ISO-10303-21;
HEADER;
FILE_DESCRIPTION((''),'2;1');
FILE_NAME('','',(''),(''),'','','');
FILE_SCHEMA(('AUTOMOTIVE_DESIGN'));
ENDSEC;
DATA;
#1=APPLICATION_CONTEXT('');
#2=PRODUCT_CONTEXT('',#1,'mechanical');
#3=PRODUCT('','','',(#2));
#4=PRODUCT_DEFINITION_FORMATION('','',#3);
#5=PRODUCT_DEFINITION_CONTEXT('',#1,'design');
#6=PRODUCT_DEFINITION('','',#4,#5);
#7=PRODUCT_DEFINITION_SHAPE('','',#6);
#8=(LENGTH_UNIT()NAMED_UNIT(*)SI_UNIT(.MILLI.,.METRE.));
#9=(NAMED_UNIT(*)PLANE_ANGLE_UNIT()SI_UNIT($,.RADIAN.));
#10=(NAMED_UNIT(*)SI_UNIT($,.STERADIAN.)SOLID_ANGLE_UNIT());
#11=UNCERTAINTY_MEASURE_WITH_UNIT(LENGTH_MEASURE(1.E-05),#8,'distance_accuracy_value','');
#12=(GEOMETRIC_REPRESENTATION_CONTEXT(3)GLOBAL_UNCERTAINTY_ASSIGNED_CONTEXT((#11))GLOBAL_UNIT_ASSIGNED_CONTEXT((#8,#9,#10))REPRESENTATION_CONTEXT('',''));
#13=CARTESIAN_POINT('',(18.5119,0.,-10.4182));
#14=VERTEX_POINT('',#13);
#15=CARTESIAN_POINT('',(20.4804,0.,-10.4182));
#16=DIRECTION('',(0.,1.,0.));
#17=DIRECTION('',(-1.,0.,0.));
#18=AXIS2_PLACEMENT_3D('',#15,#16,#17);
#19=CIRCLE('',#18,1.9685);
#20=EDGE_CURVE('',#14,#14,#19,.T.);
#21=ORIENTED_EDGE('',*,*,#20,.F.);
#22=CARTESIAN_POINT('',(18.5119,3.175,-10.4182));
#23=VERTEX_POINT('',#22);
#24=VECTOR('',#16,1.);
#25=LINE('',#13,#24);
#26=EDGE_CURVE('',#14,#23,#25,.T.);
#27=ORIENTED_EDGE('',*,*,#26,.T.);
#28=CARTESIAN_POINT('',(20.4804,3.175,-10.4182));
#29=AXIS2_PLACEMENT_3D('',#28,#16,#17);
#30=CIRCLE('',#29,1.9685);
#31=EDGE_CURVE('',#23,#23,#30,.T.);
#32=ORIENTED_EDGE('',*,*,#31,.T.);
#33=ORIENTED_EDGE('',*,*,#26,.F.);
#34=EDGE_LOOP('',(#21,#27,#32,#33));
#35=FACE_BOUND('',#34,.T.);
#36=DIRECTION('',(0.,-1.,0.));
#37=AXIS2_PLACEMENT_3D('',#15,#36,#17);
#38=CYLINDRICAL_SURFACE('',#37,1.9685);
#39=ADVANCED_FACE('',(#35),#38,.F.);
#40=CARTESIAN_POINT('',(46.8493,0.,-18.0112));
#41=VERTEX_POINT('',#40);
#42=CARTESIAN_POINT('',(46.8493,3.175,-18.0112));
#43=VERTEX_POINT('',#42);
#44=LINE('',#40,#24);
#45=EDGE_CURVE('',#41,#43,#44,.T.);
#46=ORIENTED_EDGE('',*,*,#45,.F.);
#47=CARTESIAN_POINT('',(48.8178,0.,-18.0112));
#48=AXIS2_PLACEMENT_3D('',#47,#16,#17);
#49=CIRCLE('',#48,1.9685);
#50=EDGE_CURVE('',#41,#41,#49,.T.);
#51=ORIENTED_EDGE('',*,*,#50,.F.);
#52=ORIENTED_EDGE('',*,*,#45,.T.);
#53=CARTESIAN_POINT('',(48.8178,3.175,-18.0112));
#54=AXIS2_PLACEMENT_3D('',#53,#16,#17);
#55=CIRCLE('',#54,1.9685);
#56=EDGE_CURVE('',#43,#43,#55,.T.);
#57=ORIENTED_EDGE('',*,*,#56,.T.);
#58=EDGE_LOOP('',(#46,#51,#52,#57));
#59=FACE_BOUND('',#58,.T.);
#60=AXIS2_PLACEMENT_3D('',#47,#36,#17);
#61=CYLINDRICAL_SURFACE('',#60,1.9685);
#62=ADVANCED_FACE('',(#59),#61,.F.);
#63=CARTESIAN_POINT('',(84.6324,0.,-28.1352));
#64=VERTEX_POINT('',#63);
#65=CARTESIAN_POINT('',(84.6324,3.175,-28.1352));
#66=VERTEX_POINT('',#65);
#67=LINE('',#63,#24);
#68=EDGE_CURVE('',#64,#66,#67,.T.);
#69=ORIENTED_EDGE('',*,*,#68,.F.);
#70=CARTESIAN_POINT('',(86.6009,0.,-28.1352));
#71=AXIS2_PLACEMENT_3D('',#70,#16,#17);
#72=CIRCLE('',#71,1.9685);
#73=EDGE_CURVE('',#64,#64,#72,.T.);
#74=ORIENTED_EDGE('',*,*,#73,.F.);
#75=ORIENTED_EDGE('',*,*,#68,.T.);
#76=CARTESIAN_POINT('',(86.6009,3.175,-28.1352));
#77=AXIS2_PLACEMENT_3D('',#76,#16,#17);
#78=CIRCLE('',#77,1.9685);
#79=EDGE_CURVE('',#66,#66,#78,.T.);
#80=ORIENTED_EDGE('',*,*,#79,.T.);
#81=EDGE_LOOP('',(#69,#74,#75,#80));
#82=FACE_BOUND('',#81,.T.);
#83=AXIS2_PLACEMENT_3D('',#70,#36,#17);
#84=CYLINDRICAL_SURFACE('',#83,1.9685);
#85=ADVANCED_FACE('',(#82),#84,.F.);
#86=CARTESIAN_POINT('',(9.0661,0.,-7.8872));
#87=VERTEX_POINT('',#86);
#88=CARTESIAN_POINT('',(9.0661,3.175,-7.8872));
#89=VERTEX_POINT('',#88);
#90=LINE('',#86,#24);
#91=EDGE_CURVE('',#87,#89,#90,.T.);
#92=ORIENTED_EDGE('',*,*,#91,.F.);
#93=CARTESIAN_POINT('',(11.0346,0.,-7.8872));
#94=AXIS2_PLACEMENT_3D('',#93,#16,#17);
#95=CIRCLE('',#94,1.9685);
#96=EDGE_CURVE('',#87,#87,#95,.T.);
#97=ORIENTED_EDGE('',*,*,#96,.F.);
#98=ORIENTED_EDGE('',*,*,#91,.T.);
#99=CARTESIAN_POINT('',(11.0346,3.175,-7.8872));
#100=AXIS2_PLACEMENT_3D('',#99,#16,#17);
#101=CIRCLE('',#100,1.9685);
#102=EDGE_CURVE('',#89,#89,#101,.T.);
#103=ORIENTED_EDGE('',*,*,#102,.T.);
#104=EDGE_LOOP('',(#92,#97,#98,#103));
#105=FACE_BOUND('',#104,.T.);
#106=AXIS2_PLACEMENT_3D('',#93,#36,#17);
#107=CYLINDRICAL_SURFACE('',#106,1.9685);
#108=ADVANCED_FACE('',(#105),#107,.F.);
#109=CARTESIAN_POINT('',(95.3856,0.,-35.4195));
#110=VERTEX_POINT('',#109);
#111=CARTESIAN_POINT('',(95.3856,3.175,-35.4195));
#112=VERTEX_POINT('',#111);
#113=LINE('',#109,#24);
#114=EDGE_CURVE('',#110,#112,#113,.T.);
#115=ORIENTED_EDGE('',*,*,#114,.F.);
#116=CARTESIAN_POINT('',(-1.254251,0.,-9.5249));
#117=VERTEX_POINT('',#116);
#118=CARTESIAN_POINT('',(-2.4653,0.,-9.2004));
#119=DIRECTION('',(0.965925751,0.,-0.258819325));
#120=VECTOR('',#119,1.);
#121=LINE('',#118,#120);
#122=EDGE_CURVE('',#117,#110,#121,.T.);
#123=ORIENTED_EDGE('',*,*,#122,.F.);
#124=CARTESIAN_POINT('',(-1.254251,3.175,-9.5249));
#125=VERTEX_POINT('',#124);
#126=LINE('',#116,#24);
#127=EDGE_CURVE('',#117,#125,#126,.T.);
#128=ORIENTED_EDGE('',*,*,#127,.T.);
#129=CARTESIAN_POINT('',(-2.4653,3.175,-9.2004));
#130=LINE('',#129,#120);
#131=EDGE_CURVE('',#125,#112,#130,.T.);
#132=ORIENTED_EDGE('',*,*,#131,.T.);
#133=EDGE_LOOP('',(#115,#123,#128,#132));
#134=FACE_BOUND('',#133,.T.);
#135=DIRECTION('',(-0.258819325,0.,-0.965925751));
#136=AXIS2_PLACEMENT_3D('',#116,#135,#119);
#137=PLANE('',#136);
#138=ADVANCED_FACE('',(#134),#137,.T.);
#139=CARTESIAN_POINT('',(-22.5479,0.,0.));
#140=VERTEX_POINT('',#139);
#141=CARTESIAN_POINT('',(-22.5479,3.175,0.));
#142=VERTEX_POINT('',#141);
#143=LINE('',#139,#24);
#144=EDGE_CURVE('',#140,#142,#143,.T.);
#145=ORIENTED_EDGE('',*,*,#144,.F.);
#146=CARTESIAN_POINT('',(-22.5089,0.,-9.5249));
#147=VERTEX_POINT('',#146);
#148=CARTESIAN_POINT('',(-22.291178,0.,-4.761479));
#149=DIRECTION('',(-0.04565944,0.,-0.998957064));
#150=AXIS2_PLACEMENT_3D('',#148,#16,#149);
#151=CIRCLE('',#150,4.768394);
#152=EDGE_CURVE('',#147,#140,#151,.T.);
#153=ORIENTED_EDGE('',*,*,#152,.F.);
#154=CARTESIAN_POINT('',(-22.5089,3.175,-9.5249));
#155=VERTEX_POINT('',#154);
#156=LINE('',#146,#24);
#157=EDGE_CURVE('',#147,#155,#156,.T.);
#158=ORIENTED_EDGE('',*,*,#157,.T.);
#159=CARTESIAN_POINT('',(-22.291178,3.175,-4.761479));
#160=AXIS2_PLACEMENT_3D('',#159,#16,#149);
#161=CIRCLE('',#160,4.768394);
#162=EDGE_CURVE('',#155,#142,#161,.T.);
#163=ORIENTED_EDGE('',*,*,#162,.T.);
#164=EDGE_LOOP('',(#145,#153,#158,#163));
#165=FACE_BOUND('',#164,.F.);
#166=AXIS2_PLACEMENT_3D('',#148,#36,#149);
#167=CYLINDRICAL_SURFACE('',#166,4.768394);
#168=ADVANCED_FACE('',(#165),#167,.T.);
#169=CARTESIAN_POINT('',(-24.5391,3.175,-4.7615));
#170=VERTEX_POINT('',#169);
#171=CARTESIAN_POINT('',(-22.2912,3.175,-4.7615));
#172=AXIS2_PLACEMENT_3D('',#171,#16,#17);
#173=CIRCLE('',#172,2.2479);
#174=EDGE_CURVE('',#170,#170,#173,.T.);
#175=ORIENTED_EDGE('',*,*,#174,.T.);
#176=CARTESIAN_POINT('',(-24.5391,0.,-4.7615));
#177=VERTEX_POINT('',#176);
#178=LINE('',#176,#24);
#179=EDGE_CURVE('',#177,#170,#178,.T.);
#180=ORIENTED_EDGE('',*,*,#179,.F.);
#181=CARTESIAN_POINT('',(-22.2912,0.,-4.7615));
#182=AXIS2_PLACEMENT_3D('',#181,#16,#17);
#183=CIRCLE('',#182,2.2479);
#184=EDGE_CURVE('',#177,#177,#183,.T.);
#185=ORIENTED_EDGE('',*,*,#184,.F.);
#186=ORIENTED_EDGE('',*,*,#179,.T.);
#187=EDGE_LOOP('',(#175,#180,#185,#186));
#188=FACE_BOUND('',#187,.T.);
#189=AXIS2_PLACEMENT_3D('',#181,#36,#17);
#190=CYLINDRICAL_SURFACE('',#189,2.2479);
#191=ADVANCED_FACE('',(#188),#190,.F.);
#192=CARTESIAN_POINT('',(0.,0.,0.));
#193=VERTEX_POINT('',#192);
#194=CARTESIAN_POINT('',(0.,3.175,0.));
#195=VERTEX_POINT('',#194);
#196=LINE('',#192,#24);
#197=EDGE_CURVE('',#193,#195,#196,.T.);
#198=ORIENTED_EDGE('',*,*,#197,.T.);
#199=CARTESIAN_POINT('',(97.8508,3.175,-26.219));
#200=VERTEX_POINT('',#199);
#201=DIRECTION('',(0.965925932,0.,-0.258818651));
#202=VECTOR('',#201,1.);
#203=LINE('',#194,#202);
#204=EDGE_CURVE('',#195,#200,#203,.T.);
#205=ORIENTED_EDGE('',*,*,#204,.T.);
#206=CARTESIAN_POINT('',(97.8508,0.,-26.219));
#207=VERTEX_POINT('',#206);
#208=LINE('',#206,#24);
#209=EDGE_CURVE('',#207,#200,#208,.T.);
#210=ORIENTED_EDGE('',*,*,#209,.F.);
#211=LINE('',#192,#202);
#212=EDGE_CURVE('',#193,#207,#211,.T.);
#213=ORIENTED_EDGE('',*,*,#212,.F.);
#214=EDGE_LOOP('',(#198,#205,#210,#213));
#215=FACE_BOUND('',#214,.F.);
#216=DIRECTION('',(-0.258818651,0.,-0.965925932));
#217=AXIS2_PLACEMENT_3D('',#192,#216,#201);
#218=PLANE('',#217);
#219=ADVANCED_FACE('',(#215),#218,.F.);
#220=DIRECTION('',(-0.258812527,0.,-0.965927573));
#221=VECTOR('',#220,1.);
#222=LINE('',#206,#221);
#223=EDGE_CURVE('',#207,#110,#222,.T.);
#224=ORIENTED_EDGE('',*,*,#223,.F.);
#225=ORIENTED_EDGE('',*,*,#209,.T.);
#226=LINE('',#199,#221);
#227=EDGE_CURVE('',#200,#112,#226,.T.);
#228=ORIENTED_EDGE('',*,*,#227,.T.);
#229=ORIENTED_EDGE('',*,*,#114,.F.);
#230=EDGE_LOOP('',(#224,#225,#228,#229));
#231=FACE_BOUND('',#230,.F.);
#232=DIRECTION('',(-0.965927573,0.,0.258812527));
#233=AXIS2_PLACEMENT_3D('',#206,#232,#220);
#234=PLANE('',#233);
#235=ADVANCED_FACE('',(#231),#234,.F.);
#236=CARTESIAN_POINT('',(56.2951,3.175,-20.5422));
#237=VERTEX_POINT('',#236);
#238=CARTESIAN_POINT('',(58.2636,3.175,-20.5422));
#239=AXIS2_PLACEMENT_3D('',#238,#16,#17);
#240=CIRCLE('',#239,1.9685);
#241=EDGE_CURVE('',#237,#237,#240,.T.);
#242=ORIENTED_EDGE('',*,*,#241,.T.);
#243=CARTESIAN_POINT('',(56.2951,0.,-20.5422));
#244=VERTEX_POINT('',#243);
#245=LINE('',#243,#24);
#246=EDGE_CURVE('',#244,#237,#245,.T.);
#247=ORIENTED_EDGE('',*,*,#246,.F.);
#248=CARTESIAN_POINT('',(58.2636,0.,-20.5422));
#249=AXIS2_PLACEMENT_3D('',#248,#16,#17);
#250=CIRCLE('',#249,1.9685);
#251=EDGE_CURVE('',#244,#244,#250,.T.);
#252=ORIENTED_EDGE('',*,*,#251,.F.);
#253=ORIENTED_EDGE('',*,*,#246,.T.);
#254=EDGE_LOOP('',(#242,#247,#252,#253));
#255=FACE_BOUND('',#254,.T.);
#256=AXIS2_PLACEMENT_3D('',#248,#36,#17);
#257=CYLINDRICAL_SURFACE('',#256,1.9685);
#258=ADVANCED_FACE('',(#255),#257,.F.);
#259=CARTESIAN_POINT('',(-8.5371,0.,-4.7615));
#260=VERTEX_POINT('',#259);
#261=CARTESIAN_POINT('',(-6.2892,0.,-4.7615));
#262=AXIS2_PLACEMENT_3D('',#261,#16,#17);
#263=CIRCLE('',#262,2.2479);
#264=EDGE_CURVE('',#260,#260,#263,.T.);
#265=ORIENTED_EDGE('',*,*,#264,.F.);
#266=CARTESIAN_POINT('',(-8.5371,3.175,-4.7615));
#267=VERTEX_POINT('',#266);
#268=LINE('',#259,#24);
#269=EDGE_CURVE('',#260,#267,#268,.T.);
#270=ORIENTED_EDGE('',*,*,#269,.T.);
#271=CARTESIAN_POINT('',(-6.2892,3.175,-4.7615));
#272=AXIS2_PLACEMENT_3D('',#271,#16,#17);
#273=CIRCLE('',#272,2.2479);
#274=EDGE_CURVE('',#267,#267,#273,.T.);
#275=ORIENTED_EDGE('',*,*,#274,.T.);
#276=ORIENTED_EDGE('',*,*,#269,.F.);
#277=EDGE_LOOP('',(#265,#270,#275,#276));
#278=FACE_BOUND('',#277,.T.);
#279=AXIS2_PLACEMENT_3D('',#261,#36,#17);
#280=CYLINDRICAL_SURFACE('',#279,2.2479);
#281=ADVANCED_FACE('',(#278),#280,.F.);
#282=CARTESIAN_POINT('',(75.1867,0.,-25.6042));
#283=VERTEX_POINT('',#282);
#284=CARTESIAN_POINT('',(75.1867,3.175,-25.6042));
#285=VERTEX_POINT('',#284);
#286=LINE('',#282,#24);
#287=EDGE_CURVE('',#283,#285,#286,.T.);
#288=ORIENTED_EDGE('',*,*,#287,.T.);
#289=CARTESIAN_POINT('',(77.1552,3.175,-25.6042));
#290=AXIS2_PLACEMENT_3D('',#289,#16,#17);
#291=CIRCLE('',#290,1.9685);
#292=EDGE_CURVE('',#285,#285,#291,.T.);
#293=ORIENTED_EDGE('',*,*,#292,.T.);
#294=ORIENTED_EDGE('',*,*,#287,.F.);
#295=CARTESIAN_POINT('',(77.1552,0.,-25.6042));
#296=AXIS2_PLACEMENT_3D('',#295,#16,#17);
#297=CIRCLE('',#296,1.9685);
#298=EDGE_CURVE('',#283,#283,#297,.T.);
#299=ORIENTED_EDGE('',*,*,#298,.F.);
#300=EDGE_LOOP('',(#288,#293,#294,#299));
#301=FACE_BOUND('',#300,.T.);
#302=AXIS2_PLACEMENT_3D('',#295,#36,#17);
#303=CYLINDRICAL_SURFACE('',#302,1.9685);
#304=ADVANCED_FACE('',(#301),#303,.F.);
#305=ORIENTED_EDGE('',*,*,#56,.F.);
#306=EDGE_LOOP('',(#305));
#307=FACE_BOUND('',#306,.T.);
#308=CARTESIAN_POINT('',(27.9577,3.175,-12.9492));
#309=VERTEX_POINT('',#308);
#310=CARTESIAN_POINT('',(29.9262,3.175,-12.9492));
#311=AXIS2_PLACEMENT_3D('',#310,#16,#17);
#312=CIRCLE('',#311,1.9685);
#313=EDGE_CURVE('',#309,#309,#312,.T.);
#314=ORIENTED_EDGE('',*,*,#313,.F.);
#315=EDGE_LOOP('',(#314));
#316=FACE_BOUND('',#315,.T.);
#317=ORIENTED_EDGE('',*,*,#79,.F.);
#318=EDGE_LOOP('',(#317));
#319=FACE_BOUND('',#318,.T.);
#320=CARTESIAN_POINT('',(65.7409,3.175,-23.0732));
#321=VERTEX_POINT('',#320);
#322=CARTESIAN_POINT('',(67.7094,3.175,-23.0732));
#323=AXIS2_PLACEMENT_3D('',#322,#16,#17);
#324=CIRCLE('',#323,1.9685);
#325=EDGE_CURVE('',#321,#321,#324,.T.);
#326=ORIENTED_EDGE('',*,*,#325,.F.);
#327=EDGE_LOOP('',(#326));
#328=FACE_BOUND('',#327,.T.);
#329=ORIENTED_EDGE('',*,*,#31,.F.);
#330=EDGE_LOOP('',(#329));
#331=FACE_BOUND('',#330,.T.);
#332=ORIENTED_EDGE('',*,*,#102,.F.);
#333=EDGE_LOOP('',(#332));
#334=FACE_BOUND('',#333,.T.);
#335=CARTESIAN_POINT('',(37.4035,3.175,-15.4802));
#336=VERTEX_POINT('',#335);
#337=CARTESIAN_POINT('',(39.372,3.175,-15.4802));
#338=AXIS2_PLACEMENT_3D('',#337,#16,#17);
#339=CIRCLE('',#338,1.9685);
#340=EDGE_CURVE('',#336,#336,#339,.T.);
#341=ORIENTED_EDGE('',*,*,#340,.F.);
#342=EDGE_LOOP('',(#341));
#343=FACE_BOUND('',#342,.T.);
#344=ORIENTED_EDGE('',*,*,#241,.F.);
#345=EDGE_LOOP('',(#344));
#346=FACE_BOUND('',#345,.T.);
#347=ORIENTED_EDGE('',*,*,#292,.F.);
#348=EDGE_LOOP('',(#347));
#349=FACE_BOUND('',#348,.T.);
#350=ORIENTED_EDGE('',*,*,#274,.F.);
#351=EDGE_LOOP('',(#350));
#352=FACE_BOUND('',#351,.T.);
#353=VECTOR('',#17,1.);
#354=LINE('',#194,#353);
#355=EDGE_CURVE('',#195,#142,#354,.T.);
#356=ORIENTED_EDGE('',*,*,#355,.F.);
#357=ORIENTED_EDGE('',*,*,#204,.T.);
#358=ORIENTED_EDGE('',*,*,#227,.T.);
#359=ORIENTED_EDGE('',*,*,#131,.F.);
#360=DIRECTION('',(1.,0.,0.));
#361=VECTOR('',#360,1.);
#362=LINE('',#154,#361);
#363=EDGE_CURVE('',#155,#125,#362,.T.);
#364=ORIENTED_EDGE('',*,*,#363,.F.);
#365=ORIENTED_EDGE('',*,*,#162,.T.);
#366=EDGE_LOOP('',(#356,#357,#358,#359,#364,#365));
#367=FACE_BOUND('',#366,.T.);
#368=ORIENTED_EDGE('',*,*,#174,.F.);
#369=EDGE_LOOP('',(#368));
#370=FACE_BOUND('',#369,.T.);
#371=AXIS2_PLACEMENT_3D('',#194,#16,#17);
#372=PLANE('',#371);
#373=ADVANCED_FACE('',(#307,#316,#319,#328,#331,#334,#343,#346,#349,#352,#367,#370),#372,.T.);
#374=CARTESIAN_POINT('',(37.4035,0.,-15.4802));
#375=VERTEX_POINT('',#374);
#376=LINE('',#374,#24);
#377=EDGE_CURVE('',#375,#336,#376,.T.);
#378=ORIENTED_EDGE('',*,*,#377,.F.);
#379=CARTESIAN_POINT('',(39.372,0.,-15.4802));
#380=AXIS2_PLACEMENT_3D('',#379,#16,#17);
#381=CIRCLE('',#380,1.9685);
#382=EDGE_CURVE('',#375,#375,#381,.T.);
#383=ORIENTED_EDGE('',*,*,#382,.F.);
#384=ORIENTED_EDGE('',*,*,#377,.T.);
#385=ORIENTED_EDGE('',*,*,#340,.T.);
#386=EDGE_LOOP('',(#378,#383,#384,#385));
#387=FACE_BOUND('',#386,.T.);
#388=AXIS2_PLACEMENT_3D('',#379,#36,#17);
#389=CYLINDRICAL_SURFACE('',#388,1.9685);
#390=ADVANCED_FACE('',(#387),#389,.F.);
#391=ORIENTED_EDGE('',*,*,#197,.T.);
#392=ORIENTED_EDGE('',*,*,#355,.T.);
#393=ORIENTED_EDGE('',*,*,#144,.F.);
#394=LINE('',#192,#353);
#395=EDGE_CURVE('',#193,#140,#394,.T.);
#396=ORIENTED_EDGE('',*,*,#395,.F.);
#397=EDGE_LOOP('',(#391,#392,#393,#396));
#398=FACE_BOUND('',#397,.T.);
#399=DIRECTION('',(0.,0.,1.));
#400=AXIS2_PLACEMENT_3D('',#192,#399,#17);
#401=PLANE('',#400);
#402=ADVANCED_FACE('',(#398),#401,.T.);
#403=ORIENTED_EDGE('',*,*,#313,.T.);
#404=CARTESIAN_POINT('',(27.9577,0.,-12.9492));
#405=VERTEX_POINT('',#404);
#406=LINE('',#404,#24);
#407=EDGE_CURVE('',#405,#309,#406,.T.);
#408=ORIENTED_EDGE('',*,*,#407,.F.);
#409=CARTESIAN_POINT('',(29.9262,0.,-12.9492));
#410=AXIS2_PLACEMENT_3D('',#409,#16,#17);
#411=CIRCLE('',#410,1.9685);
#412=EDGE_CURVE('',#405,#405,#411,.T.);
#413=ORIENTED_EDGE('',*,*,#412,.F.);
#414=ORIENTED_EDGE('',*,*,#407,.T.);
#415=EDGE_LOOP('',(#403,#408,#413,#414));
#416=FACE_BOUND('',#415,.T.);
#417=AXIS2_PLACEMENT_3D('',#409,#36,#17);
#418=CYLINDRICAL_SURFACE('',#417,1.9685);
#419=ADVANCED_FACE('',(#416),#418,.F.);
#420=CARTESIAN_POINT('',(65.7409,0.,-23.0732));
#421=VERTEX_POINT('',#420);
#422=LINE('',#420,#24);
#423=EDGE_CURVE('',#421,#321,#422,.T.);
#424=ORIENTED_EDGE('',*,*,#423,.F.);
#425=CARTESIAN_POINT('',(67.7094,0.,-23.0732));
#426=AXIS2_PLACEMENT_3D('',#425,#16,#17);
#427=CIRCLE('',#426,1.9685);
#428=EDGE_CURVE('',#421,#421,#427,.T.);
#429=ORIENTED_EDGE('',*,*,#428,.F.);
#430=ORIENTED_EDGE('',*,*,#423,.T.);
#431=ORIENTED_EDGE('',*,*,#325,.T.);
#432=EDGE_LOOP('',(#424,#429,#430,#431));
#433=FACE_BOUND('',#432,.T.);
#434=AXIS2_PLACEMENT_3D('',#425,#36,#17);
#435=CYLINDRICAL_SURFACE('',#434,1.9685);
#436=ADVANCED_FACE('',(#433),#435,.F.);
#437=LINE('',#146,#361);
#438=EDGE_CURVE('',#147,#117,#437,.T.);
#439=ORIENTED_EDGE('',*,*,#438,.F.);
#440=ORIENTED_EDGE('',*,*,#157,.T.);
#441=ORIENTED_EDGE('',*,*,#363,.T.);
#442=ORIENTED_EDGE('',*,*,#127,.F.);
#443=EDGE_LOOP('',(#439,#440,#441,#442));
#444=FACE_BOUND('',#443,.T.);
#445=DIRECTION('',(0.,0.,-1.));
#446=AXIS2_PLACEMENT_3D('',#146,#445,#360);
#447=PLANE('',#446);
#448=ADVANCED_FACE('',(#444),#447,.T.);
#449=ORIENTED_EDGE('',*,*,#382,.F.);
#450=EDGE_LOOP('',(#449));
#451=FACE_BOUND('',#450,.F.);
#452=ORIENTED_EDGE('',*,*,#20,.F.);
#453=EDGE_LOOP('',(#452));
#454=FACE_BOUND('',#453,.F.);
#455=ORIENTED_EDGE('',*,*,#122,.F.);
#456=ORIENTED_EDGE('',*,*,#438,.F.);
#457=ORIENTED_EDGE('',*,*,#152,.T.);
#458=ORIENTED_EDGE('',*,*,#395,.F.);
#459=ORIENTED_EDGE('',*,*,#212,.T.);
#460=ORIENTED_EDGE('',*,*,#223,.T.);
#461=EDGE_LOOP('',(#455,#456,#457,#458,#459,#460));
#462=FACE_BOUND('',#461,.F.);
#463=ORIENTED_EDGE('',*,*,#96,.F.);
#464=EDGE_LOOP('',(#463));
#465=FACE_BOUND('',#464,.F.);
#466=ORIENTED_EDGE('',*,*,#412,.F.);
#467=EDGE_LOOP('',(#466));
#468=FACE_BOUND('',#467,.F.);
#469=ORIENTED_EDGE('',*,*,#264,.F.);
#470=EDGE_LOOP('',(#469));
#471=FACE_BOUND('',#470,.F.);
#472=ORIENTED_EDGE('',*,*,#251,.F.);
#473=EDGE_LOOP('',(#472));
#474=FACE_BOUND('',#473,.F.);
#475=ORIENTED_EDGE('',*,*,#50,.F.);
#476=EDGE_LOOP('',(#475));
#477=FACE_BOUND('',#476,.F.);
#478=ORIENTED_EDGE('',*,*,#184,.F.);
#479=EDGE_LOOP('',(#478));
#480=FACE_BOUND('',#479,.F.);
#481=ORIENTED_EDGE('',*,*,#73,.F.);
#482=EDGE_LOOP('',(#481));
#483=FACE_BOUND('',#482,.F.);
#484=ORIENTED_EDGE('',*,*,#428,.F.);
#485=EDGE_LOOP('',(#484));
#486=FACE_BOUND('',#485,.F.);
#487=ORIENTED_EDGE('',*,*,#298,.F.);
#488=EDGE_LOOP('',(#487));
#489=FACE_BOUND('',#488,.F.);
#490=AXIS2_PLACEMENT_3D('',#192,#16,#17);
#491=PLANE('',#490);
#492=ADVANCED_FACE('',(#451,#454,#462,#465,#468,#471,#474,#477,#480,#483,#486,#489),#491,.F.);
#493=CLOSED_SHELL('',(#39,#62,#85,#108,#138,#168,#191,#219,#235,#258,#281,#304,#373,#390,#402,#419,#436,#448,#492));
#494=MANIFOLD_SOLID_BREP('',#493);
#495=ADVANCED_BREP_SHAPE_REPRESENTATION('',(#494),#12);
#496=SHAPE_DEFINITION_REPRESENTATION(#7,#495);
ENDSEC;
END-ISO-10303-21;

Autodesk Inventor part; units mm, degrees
ref_plane "YZ Plane" through (0, 0, 0) normal (1, 0, 0) x (0, 1, 0)
ref_plane "XZ Plane" through (0, 0, 0) normal (0, 1, 0) x (-1, 0, 0)
ref_plane "XY Plane" through (0, 0, 0) normal (0, 0, 1) x (1, 0, 0)
sketch "Sketch1" plane through (0, 0, 0) normal (0, 1, 0) x (-1, 0, 0)
  line L0 (0, 0) -> (22.5479, 0)
  line L1 (22.5089, -9.5249) -> (-0.0209, -9.5249)
  line L2 (-0.0209, -9.5249) -> (0, 0)
  arc A0 (22.5089, -9.5249) -> (22.5479, 0) centre (22.2912, -4.7615) ccw
  line L3 (0, 0) -> (-97.8508, -26.219)
  line L4 (0, 0) -> (101.3026, 0) construction
  line L5 (-97.8508, -26.219) -> (-95.3856, -35.4195)
  line L6 (0, 0) -> (2.4653, -9.2004)
  line L7 (2.4653, -9.2004) -> (-95.3856, -35.4195)
  circle A1 centre (22.2912, -4.7615) radius 2.2479
  line L8 (22.2912, -4.7615) -> (6.2892, -4.7615) construction
  circle A2 centre (6.2892, -4.7615) radius 2.2479
  line L9 (1.2326, -4.6002) -> (-11.0346, -7.8872) construction
  circle A3 centre (-11.0346, -7.8872) radius 1.9685
  line L10 (1.2326, -4.6002) -> (-96.6182, -30.8193) construction
  circle A4 centre (-20.4804, -10.4182) radius 1.9685
  circle A5 centre (-29.9262, -12.9492) radius 1.9685
  circle A6 centre (-39.372, -15.4802) radius 1.9685
  circle A7 centre (-48.8178, -18.0112) radius 1.9685
  circle A8 centre (-58.2636, -20.5422) radius 1.9685
  circle A9 centre (-67.7094, -23.0732) radius 1.9685
  circle A10 centre (-77.1552, -25.6042) radius 1.9685
  circle A11 centre (-86.6009, -28.1352) radius 1.9685
  line L11 (22.2912, -4.7615) -> (6.1685, -4.7615) construction
  line L12 (6.1685, -4.7615) -> (6.1685, 11.2405) construction
  line L13 (6.1685, 11.2405) -> (22.2912, 11.2405) construction
  line L14 (22.2912, 11.2405) -> (22.2912, -4.7615) construction
  line L15 (14.2299, 11.2405) -> (14.2299, -4.7615) construction
  line L16 (22.2912, 3.2395) -> (6.1685, 3.2395) construction
  circle A12 centre (14.2299, 3.2395) radius 1.27 construction
  dimension "d0" = 22.5298
  dimension "d1" = 9.525
  dimension "d2" = 4.7684
  dimension "d4" = 165
  dimension "d7" = 9.525
  dimension "d8" = 9.525
  dimension "d9" = 4.4958
  dimension "d10" = 16.002
  dimension "d11" = 4.4958
  dimension "d12" = 12.7
  dimension "d13" = 3.937
  dimension "d14" = 4.7625
  dimension "d15" = 3.937
  dimension "d16" = 9.779
  dimension "d17" = 3.937
  dimension "d18" = 9.779
  dimension "d19" = 3.937
  dimension "d20" = 9.779
  dimension "d21" = 3.937
  dimension "d22" = 9.779
  dimension "d23" = 3.937
  dimension "d24" = 9.779
  dimension "d25" = 3.937
  dimension "d26" = 9.779
  dimension "d27" = 3.937
  dimension "d28" = 9.779
  dimension "d29" = 3.937
  dimension "d30" = 9.779
  dimension "d31" = 16.002
  dimension "d32" = 2.54
  dimension "d33" = 115.8874
extrude "Extrusion1" add sketch "Sketch1" along normal blind 3.175
properties part number "CollectorArm165"
